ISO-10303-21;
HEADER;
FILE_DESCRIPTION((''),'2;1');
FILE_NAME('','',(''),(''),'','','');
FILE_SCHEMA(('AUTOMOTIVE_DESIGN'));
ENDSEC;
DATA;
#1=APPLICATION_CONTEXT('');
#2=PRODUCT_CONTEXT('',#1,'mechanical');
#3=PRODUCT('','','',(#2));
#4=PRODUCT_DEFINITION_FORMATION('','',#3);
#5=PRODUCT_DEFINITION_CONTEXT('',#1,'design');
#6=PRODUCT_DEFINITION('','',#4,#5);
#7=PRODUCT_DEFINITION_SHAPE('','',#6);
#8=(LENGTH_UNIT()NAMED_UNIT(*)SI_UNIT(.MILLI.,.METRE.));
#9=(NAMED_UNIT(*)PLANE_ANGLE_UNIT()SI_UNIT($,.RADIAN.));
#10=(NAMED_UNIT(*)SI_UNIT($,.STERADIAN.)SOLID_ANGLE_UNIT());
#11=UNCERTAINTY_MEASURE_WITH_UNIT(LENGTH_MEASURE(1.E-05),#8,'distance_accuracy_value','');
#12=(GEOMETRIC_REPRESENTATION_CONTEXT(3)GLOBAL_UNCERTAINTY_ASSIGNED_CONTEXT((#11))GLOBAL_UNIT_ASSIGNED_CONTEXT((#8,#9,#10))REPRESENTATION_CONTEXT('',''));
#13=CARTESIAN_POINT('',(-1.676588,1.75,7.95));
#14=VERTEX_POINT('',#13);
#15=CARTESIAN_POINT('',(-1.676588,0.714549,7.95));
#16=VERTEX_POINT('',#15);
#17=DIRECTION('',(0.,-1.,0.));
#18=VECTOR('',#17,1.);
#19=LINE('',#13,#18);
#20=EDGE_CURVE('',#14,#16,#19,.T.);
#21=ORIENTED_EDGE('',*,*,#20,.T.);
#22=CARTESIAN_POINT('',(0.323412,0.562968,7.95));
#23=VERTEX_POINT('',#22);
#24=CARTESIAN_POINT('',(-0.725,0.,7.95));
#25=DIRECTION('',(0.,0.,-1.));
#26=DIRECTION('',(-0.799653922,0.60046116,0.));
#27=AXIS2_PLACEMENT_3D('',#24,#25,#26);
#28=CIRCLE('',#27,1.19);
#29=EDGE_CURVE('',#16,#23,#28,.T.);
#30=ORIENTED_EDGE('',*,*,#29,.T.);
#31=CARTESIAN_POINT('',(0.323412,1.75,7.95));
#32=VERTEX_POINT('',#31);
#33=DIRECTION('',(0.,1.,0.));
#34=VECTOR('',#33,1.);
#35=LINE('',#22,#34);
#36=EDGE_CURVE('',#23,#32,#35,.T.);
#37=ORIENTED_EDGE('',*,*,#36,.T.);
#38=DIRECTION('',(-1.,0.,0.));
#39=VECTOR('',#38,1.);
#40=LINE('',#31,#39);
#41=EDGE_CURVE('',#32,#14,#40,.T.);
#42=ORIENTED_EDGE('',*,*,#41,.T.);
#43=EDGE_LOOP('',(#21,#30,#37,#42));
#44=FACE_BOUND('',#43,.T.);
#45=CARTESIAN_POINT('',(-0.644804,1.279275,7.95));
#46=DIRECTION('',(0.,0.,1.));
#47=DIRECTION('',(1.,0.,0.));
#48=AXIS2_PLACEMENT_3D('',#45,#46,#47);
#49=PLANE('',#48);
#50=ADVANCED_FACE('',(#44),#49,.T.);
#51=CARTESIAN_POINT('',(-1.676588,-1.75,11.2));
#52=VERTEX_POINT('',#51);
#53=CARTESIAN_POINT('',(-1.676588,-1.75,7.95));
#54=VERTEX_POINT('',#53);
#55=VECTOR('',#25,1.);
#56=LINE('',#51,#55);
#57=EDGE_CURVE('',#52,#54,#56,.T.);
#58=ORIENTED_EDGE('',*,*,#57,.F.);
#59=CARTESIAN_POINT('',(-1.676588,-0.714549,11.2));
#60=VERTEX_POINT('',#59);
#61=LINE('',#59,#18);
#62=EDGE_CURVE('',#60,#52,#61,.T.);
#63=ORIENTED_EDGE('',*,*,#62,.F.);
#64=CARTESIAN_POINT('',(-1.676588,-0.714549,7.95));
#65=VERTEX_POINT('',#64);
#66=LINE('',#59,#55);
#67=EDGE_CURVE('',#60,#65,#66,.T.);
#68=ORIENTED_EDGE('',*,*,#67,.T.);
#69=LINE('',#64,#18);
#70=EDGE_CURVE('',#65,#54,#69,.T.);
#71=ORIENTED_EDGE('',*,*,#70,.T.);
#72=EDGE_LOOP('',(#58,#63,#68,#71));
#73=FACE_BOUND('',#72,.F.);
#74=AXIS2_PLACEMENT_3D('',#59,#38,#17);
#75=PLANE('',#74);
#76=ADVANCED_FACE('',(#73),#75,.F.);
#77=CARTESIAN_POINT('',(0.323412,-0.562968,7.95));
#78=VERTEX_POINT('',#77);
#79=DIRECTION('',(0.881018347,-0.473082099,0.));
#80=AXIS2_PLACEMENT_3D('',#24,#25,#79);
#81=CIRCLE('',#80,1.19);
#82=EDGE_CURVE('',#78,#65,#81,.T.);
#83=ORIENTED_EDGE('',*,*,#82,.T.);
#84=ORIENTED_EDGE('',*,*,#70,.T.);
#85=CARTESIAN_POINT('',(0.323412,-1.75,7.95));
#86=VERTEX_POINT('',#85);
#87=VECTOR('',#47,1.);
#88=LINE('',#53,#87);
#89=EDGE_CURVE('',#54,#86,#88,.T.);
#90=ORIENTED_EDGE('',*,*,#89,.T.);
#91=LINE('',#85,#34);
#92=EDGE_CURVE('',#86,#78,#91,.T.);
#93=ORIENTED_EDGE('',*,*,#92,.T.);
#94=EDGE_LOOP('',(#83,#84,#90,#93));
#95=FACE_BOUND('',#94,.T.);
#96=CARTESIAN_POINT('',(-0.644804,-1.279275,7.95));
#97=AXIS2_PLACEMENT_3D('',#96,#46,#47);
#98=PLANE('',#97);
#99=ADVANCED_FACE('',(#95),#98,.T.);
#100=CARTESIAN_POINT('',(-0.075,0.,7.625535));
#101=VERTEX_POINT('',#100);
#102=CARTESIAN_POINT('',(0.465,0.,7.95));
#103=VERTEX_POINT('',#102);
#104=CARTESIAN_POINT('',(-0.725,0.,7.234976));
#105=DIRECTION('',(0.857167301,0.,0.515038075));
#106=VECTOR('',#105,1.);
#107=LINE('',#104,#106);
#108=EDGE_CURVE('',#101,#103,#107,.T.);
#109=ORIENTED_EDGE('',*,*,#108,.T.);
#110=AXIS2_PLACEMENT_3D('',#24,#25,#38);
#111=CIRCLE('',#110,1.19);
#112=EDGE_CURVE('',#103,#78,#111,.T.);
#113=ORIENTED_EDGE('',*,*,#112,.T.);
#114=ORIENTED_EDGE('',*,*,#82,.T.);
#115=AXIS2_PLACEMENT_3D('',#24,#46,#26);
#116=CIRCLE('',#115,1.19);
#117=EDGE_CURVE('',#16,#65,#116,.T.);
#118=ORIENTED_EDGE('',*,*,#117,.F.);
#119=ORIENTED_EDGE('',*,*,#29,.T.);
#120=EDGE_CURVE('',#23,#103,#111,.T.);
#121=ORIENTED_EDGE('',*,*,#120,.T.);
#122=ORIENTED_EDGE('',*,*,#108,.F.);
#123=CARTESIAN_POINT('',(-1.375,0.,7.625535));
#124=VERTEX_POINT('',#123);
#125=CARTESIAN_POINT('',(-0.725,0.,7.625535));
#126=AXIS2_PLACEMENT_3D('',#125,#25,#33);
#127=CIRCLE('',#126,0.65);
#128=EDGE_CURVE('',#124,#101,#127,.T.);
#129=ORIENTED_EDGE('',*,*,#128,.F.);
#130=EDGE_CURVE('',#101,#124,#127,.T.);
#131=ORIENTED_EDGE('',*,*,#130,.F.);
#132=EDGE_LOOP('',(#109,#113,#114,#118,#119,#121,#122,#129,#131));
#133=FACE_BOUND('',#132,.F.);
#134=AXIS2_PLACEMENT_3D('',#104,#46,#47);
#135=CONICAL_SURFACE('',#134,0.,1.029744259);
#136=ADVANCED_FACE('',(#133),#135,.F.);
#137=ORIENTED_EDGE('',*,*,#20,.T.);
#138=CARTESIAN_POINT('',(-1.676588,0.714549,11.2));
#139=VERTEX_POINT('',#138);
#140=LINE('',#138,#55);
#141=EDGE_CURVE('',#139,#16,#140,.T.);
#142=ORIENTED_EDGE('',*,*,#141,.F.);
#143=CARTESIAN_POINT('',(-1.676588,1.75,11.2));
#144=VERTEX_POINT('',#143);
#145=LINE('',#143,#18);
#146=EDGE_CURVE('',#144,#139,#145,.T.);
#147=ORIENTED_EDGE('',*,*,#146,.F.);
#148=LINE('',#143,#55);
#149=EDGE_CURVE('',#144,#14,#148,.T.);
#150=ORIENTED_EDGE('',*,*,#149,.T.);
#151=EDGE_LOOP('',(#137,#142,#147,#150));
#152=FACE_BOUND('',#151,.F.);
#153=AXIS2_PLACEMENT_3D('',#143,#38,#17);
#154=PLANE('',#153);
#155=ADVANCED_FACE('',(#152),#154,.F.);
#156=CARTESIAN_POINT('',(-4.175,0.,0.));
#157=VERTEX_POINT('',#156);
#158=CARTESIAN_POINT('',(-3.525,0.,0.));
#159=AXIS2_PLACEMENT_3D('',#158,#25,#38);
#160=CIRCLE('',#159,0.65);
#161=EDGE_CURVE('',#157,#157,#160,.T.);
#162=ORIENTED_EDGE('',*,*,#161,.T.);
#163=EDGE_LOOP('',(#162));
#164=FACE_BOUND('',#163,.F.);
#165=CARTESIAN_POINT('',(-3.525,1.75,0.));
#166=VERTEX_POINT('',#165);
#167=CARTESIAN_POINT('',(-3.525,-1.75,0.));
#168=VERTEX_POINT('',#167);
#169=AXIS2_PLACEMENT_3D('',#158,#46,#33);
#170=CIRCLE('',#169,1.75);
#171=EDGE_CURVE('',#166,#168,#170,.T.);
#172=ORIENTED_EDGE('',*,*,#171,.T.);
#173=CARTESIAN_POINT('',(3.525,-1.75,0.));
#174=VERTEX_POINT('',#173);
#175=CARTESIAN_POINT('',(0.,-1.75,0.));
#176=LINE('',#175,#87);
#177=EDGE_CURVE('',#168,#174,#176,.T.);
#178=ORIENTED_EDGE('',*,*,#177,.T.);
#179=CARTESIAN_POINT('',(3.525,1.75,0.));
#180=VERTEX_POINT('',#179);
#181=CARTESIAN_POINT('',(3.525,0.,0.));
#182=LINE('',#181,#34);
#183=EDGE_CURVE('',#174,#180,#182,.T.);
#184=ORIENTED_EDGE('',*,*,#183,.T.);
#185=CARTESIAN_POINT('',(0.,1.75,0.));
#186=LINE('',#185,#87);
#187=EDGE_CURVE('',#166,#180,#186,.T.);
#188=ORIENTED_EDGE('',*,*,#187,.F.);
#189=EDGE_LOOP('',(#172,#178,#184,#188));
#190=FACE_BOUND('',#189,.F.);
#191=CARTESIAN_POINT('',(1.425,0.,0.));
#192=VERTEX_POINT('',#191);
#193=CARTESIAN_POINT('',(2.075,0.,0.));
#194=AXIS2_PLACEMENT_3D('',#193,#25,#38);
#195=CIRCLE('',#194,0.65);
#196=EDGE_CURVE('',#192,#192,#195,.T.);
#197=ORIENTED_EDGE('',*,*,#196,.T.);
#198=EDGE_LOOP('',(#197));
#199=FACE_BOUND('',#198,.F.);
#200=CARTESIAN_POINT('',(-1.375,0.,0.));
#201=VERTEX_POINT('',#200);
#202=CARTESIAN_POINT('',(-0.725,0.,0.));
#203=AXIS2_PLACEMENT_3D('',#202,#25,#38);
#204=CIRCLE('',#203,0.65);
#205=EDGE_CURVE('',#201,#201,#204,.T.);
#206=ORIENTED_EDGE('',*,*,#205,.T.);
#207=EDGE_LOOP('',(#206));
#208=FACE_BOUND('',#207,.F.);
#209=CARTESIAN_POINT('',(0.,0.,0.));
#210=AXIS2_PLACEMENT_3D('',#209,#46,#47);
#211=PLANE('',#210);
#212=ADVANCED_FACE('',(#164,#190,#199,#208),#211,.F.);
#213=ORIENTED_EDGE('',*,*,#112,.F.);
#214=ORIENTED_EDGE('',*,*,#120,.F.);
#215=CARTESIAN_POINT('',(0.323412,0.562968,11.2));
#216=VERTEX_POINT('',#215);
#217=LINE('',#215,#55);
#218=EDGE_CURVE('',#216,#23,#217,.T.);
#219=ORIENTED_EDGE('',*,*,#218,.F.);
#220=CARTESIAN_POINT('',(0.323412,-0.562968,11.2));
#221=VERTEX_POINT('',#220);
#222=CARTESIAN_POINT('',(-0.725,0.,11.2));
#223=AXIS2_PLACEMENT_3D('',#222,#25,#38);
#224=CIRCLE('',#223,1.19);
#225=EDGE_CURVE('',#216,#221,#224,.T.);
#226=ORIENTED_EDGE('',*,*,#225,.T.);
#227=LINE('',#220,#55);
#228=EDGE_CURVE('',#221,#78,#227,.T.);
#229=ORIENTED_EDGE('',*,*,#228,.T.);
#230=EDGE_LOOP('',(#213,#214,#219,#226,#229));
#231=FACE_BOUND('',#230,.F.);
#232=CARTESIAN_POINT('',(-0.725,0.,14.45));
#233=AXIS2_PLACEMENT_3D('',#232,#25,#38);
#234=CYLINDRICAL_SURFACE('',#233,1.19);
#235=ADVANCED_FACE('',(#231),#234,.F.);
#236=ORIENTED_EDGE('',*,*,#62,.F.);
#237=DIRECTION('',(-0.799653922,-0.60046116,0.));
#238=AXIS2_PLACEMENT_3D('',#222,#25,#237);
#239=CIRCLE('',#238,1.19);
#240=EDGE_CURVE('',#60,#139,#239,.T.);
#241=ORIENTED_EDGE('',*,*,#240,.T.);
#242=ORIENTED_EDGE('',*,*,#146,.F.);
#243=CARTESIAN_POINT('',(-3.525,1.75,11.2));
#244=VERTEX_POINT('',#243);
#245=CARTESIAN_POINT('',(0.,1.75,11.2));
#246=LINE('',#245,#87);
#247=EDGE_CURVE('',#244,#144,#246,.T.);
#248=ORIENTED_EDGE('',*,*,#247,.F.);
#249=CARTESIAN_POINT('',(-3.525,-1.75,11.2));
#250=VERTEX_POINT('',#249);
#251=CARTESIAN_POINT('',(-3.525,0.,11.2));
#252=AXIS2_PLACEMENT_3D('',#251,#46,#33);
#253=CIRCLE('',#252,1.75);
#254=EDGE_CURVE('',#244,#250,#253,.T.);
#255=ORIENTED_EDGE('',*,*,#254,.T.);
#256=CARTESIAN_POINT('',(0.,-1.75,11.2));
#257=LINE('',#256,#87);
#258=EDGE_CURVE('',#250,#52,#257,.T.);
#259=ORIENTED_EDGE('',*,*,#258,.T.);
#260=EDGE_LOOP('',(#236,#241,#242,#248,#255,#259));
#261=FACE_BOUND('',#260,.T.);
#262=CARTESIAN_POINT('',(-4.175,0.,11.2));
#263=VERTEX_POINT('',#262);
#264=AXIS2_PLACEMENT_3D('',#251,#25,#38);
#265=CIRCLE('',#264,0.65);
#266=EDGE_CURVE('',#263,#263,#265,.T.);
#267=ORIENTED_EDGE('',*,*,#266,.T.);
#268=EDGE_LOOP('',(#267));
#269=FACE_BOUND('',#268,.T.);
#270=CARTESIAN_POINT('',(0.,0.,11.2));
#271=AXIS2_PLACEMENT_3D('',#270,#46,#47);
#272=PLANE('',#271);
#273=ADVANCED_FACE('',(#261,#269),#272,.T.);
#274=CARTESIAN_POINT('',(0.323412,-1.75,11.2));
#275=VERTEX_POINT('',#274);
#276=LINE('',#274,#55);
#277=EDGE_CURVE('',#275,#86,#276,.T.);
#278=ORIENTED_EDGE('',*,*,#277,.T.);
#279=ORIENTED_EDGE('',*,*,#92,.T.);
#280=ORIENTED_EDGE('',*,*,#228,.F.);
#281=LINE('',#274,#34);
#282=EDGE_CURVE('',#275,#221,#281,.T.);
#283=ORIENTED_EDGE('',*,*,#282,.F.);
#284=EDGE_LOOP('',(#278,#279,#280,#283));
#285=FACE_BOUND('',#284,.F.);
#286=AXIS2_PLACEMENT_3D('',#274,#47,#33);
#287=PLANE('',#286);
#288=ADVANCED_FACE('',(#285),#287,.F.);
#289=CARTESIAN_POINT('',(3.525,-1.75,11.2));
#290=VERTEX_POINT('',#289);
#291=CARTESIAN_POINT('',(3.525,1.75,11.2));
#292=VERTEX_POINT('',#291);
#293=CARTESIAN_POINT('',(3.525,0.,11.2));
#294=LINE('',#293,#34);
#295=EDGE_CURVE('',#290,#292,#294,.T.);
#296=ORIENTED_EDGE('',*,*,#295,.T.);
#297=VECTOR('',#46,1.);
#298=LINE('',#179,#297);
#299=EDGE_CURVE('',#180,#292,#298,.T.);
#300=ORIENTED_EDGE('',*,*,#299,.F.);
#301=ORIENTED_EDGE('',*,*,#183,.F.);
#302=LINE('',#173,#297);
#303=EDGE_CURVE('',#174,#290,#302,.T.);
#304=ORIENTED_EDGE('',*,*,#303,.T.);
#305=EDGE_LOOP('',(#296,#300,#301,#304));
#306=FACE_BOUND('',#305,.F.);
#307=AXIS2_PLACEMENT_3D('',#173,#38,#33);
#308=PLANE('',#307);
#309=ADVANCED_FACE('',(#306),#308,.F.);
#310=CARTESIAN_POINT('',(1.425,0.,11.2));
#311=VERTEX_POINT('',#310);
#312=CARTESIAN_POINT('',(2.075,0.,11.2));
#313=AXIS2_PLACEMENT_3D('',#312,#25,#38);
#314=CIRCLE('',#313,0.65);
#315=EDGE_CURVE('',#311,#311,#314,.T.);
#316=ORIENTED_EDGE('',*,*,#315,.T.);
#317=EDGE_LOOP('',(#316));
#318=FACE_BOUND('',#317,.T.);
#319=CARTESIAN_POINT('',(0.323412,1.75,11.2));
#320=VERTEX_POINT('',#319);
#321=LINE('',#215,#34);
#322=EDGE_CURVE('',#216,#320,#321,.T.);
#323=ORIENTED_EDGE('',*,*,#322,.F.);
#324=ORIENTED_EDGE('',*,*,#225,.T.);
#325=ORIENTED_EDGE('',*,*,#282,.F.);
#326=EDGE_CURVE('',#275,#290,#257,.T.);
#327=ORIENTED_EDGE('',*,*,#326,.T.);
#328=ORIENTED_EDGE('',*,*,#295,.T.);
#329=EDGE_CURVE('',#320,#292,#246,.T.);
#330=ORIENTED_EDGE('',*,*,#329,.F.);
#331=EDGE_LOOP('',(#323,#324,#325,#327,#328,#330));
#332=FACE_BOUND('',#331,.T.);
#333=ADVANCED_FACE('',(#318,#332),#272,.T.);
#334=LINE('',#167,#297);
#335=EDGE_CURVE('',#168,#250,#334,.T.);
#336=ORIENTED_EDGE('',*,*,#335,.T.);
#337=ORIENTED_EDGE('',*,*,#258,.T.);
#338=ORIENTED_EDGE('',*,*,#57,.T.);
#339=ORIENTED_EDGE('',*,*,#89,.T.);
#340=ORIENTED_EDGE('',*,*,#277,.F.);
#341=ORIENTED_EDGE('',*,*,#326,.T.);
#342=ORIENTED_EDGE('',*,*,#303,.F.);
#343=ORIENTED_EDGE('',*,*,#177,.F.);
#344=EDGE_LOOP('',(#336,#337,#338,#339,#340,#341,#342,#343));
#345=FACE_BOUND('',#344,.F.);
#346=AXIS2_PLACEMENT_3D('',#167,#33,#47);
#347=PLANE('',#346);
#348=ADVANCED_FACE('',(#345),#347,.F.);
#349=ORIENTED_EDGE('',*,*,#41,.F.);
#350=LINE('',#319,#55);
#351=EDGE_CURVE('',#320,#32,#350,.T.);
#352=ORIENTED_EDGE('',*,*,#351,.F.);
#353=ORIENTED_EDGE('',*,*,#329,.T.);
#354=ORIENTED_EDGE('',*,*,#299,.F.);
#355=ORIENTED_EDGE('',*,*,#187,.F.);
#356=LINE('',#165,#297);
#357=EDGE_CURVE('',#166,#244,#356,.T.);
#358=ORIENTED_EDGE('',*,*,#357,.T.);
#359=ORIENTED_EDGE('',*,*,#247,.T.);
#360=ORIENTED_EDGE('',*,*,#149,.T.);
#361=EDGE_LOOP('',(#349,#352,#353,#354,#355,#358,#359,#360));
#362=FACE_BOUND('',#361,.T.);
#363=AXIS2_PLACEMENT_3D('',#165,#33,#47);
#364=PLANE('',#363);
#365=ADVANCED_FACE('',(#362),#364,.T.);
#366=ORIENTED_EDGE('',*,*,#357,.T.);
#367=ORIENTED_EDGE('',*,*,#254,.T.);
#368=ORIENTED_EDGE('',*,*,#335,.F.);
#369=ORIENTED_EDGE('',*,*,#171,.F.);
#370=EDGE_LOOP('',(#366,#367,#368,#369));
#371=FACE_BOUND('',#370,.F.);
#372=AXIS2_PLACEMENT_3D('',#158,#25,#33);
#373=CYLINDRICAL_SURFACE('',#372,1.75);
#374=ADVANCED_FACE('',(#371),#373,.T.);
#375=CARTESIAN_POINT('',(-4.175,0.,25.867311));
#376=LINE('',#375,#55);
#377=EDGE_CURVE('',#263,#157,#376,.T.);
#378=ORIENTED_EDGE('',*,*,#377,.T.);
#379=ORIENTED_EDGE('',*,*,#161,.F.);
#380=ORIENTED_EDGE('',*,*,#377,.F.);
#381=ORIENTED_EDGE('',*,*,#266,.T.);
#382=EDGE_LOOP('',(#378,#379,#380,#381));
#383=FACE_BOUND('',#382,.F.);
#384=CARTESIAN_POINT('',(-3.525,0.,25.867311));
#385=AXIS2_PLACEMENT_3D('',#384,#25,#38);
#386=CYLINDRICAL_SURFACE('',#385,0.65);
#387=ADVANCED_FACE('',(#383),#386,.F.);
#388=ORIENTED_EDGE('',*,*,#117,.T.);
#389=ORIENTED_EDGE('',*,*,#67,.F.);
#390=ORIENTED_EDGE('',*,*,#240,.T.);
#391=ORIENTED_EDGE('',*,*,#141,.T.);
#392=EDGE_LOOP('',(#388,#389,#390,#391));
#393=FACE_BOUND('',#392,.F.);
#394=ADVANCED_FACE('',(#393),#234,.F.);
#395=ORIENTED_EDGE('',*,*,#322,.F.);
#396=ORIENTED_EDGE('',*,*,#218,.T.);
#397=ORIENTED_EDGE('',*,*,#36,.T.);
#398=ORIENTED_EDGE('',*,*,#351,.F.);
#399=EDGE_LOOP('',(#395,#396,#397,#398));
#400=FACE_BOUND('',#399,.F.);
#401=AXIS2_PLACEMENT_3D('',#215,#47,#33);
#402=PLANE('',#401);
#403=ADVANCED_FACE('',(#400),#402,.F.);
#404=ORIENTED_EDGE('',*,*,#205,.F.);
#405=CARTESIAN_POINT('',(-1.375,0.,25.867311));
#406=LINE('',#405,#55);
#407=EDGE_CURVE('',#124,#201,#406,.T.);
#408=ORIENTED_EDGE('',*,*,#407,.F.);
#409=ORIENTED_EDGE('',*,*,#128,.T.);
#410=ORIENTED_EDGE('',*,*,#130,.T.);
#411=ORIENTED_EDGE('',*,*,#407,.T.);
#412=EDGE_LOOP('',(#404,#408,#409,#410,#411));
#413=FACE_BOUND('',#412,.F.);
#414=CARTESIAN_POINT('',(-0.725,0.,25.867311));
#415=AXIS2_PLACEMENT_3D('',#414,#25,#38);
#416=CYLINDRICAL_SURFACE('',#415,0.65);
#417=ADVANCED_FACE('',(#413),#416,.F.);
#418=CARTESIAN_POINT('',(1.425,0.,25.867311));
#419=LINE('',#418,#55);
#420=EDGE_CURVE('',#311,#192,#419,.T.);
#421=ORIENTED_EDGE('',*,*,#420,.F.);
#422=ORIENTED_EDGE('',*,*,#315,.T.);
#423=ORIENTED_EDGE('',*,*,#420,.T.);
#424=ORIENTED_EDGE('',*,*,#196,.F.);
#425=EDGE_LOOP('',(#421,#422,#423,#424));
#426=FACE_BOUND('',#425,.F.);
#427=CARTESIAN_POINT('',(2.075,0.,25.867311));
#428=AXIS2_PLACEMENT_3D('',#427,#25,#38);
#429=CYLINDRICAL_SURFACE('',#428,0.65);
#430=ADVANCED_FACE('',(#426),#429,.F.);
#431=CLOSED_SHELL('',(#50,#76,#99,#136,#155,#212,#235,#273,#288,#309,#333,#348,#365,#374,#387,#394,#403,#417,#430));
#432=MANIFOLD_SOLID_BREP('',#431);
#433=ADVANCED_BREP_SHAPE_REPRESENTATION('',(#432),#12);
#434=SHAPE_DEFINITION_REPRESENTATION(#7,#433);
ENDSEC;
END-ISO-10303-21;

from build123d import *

# Parameters (mm, degrees)
F0_W     = 7.05
F0_H     = 3.5
F1_DEPTH = 11.2
F3_D     = 2.38
F3_DEPTH = 3.25
F3_TIP   = 0.7150241366
F5_D     = 1.3
F8_DEPTH = 3.25


with BuildPart() as f1:
    # F0 (on Top) → F1 (new body)
    with BuildSketch(Plane.XY):
        Rectangle(F0_W, F0_H)
        with BuildLine():
            ThreePointArc((-3.525, 1.75), (-5.275, 0), (-3.525, -1.75))
            Line((-3.525, -1.75), (-3.525, 1.75))
        make_face()
    extrude(amount=F1_DEPTH)

    # F3
    with Locations(Plane.XY.offset(11.2)):
        with Locations((-0.725, 0)):
            Hole(F3_D / 2, depth=F3_DEPTH)
            with Locations((0, 0, -(F3_DEPTH + F3_TIP / 2))):  # 118° drill point
                Cone(0, F3_D / 2, F3_TIP, mode=Mode.SUBTRACT)

    # F5 (through all)
    with Locations(Plane.XY.offset(11.2)):
        with Locations((-3.525, 0), (-0.725, 0), (2.075, 0)):
            Hole(F5_D / 2)

    # F7 (on face) → F8 (cut)
    with BuildSketch(Plane.XY.offset(11.2)):
        with BuildLine():
            Line((-1.6765881673, -1.75), (0.3234118327, -1.75))
            Line((0.3234118327, -1.75), (0.3234118327, -0.562967698))
            ThreePointArc((0.3234118327, -0.562967698), (-0.6350671823, -1.1865968516), (-1.6765881673, -0.7145487806))
            Line((-1.6765881673, -0.7145487806), (-1.6765881673, -1.75))
        make_face()
        with BuildLine():
            ThreePointArc((-1.6765881673, 0.7145487806), (-0.6350671823, 1.1865968516), (0.3234118327, 0.562967698))
            Line((0.3234118327, 0.562967698), (0.3234118327, 1.75))
            Line((0.3234118327, 1.75), (-1.6765881673, 1.75))
            Line((-1.6765881673, 1.75), (-1.6765881673, 0.7145487806))
        make_face()
    extrude(amount=-F8_DEPTH, mode=Mode.SUBTRACT)


solid = f1.part
